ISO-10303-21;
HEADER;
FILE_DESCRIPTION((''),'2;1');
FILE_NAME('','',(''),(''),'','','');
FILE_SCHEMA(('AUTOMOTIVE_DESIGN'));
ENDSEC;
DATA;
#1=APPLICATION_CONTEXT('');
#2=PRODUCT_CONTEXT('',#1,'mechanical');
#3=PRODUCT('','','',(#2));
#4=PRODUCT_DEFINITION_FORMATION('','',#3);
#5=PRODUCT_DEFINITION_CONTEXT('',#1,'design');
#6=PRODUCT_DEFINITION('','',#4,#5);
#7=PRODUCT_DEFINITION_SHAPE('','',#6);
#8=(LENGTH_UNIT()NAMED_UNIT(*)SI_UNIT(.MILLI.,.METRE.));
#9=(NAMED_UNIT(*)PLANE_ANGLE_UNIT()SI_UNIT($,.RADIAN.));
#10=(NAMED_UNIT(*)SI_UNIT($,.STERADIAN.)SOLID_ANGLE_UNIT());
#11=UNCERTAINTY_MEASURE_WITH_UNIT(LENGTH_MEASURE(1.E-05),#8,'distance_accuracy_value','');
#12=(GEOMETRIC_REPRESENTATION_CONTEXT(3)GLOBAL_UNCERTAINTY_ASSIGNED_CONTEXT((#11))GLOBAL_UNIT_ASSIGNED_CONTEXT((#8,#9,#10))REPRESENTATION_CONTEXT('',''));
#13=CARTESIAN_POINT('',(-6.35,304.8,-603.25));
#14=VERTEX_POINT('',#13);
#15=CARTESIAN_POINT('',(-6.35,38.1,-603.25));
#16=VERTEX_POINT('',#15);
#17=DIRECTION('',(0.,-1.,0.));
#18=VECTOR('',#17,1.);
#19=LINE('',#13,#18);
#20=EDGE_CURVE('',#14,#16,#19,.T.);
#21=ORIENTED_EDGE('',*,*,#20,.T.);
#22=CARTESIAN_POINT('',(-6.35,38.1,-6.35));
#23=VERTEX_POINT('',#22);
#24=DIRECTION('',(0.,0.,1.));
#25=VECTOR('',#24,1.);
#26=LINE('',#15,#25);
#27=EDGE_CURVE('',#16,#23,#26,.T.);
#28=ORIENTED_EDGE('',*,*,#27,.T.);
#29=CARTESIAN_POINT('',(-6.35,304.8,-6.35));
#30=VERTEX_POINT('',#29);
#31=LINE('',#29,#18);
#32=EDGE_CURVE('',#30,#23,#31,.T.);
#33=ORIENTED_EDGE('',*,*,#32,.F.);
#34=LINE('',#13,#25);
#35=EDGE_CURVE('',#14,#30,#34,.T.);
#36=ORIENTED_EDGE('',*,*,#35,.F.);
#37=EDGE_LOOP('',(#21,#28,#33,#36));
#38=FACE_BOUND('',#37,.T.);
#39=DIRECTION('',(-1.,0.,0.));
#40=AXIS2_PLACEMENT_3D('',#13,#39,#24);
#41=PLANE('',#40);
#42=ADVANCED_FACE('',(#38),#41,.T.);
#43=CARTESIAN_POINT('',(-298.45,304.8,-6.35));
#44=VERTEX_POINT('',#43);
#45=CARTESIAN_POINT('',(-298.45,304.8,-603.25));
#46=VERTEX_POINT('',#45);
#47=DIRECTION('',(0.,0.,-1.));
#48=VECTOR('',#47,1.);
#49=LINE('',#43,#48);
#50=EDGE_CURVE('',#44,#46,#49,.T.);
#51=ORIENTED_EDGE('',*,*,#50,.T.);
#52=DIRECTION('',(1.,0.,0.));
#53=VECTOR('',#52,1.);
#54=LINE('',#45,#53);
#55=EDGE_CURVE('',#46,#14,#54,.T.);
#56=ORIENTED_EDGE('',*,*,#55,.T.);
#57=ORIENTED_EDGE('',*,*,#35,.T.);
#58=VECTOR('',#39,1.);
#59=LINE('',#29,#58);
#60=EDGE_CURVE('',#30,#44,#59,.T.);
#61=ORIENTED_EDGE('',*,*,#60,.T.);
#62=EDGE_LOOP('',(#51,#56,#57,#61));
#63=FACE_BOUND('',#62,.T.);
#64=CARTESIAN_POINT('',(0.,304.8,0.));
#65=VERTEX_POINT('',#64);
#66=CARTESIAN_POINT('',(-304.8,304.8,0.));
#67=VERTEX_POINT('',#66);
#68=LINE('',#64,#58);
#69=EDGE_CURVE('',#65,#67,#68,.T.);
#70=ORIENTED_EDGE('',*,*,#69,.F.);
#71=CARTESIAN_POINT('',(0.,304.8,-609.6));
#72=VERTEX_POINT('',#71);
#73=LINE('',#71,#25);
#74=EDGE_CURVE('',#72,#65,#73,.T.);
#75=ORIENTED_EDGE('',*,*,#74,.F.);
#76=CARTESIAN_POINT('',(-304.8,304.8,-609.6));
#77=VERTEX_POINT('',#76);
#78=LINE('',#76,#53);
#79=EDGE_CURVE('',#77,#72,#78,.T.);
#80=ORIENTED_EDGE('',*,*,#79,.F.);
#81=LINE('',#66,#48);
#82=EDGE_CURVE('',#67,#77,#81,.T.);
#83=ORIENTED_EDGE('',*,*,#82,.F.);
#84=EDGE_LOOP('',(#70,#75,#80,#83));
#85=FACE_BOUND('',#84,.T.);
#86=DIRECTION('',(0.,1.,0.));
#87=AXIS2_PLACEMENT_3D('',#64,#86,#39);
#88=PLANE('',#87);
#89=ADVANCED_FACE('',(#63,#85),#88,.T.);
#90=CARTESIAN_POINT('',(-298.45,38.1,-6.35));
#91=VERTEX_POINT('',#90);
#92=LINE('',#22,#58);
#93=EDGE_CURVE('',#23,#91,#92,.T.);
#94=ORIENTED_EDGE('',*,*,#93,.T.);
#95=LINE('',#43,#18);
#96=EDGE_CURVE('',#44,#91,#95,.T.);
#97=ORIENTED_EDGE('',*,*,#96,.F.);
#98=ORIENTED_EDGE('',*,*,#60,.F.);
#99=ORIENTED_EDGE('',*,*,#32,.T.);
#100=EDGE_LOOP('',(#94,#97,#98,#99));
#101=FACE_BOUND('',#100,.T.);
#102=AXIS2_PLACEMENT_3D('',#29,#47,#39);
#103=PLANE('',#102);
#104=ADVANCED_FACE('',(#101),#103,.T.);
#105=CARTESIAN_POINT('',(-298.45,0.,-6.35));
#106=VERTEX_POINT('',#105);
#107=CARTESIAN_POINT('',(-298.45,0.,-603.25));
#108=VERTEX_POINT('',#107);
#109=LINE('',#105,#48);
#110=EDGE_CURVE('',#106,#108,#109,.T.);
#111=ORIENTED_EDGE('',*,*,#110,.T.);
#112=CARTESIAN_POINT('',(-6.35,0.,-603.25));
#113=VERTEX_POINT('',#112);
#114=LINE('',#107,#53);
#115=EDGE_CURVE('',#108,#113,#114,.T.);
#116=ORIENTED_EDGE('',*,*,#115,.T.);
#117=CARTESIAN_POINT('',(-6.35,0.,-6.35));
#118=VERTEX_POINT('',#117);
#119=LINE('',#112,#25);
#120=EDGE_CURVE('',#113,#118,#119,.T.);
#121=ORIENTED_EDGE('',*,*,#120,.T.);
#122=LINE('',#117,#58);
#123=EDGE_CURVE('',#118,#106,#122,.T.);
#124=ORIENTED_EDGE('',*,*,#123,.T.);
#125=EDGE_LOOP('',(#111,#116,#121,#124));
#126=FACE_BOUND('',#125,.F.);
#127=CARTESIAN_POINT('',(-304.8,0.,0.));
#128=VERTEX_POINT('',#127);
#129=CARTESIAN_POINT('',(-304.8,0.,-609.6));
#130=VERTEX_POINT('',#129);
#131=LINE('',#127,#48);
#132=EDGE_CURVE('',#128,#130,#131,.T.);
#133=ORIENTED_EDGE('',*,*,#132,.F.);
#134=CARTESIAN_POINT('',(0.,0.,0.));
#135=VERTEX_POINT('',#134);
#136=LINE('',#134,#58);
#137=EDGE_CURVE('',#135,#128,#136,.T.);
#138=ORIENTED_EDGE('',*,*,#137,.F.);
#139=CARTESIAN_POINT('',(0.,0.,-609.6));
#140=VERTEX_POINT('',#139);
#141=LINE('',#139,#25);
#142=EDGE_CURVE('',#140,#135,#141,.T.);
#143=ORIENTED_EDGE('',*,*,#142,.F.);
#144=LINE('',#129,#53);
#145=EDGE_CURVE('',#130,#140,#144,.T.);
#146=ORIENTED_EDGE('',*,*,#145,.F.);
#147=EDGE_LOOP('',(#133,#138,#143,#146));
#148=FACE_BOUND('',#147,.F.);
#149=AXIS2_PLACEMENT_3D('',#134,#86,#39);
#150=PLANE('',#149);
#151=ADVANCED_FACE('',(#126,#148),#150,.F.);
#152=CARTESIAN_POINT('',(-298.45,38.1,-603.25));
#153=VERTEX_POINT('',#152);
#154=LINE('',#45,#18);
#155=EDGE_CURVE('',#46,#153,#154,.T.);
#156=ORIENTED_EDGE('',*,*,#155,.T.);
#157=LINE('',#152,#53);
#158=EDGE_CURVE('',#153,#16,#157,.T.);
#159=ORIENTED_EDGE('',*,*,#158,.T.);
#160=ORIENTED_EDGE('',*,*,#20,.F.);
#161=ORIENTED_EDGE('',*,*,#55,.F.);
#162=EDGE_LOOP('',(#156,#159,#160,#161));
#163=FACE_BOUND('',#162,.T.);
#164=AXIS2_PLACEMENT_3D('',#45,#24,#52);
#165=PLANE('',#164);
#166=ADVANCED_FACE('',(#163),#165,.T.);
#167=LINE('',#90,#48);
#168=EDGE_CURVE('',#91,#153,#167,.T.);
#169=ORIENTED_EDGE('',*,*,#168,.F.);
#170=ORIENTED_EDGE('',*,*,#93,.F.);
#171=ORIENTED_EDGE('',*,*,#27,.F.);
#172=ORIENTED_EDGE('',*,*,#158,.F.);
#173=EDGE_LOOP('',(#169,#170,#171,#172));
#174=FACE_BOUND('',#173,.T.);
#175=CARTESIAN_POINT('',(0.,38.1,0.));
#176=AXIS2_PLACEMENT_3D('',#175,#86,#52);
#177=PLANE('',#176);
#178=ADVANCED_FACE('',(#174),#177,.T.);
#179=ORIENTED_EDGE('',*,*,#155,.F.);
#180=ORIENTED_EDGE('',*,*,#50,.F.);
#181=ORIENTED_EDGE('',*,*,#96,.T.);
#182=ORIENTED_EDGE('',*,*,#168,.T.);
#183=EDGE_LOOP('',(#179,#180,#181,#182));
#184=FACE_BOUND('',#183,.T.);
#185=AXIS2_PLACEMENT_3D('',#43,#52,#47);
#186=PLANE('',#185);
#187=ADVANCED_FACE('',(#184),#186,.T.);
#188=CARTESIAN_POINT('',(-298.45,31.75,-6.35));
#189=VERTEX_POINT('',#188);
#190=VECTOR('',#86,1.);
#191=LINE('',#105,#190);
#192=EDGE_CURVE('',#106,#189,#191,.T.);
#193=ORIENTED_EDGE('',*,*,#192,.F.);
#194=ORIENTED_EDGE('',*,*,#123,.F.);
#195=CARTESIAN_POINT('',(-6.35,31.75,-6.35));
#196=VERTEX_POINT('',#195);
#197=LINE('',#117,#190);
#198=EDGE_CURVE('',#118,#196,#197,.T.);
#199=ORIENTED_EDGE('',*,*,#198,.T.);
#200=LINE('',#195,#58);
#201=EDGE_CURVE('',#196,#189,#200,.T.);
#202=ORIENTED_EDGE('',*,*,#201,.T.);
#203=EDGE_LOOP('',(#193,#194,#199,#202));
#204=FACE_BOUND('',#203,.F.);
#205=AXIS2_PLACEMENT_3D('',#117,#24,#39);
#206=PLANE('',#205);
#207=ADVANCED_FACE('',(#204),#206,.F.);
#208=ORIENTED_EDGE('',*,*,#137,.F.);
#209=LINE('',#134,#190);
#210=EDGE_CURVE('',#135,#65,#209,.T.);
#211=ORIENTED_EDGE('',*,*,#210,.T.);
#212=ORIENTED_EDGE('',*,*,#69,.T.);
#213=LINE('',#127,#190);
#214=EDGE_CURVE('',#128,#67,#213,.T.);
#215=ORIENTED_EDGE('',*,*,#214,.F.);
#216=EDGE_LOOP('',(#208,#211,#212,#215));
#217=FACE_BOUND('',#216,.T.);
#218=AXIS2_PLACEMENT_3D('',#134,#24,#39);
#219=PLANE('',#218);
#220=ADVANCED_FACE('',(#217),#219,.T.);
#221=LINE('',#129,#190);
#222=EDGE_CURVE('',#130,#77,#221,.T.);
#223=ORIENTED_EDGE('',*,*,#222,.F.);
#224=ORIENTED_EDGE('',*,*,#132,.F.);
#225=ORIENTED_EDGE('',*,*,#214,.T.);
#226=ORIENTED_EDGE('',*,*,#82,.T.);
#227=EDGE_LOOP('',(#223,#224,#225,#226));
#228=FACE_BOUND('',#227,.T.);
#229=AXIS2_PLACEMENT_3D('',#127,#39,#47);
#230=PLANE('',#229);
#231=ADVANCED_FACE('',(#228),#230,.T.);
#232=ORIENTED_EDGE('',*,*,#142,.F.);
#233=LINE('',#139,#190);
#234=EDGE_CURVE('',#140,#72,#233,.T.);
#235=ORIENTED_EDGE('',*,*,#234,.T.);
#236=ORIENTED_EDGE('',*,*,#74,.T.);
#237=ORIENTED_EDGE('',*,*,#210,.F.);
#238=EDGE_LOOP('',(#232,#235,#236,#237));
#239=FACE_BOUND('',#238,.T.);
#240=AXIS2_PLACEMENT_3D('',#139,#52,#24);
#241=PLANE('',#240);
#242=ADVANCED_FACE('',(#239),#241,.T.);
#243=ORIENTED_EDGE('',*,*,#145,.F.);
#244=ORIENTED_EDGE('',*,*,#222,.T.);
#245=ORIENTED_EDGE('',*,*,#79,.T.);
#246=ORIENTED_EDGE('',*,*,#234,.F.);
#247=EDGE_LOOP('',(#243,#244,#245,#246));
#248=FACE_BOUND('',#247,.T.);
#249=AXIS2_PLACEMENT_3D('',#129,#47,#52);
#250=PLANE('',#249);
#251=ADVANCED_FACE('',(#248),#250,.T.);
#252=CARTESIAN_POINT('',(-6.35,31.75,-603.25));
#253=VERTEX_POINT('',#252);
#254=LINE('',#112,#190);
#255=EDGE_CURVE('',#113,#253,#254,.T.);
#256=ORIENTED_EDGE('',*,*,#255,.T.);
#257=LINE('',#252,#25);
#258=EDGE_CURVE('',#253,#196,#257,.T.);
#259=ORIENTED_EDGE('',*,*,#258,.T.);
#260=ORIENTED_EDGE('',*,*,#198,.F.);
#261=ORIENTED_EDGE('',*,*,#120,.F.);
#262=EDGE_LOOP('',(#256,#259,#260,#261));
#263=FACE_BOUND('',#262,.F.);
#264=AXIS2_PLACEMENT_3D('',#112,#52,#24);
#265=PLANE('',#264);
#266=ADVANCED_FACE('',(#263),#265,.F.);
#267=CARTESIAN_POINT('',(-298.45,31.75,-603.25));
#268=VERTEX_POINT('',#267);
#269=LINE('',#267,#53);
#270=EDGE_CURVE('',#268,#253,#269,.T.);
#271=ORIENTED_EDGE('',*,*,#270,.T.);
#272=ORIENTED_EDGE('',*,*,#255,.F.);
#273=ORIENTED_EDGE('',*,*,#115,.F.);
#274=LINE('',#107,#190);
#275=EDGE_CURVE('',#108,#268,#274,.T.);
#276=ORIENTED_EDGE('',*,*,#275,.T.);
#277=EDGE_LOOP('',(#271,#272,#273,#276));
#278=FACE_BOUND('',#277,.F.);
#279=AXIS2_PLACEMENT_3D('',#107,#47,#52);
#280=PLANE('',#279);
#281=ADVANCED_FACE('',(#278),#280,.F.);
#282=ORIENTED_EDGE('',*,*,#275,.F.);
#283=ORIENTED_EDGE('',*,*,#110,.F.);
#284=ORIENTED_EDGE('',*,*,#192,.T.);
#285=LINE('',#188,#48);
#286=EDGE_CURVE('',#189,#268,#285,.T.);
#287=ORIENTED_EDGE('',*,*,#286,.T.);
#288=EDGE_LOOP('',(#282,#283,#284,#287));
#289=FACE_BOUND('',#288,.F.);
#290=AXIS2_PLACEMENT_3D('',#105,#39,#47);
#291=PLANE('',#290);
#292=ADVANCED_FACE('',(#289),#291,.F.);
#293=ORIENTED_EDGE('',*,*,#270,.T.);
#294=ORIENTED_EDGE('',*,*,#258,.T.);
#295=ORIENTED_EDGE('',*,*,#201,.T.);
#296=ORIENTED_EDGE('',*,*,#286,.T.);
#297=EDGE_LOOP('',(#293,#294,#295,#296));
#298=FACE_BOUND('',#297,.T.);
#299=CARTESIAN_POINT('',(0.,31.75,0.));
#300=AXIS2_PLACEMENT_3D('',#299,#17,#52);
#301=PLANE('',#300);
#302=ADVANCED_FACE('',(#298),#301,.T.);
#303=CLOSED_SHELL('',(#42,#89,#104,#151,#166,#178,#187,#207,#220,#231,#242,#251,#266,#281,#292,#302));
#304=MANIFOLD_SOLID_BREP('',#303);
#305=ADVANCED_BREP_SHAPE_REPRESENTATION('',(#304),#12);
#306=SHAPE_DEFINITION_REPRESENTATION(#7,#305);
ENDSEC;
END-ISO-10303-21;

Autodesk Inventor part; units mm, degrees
ref_plane "YZ Plane" through (0, 0, 0) normal (1, 0, 0) x (0, 1, 0)
ref_plane "XZ Plane" through (0, 0, 0) normal (0, 1, 0) x (-1, 0, 0)
ref_plane "XY Plane" through (0, 0, 0) normal (0, 0, 1) x (1, 0, 0)
sketch "Sketch1" plane through (0, 0, 0) normal (0, 1, 0) x (-1, 0, 0)
  line L0 (0, 0) -> (304.8, 0)
  line L1 (304.8, 0) -> (304.8, -609.6)
  line L2 (304.8, -609.6) -> (0, -609.6)
  line L3 (0, -609.6) -> (0, 0)
  dimension "d0" = 304.8
  dimension "d1" = 609.6
extrude "Extrusion1" add sketch "Sketch1" along normal blind 304.8
sketch "Sketch2" plane through (0, 304.8, 0) normal (0, 1, 0) x (1, 0, 0)
  line L0 (-298.45, 603.25) -> (-6.35, 603.25)
  line L1 (-6.35, 603.25) -> (-6.35, 6.35)
  line L2 (-6.35, 6.35) -> (-298.45, 6.35)
  line L3 (-298.45, 6.35) -> (-298.45, 603.25)
  line L4 (0, 0) -> (0, 609.6) projected
  line L5 (-304.8, 609.6) -> (-304.8, 0) projected
  line L6 (-304.8, 0) -> (0, 0) projected
  line L7 (0, 609.6) -> (-304.8, 609.6) projected
  dimension "d4" = 6.35
  dimension "d5" = 6.35
  dimension "d6" = 6.35
  dimension "d7" = 6.35
extrude "Extrusion2" cut sketch "Sketch2" against normal blind 266.7 contours L0 L1 L2 L3
sketch "Sketch3" plane through (0, 0, 0) normal (0, -1, 0) x (1, 0, 0)
  line L0 (-298.45, -6.35) -> (-298.45, -603.25) projected
  line L1 (-6.35, -6.35) -> (-298.45, -6.35)
  line L2 (-298.45, -6.35) -> (-298.45, -603.25)
  line L3 (-298.45, -603.25) -> (-6.35, -603.25)
  line L4 (-6.35, -603.25) -> (-6.35, -6.35)
  line L5 (0, 0) -> (0, -609.6) projected
  line L6 (-304.8, 0) -> (0, 0) projected
  dimension "d10" = 6.35
  dimension "d11" = 6.35
extrude "Extrusion3" cut sketch "Sketch3" against normal blind 31.75
properties part number "Cargo Container"
